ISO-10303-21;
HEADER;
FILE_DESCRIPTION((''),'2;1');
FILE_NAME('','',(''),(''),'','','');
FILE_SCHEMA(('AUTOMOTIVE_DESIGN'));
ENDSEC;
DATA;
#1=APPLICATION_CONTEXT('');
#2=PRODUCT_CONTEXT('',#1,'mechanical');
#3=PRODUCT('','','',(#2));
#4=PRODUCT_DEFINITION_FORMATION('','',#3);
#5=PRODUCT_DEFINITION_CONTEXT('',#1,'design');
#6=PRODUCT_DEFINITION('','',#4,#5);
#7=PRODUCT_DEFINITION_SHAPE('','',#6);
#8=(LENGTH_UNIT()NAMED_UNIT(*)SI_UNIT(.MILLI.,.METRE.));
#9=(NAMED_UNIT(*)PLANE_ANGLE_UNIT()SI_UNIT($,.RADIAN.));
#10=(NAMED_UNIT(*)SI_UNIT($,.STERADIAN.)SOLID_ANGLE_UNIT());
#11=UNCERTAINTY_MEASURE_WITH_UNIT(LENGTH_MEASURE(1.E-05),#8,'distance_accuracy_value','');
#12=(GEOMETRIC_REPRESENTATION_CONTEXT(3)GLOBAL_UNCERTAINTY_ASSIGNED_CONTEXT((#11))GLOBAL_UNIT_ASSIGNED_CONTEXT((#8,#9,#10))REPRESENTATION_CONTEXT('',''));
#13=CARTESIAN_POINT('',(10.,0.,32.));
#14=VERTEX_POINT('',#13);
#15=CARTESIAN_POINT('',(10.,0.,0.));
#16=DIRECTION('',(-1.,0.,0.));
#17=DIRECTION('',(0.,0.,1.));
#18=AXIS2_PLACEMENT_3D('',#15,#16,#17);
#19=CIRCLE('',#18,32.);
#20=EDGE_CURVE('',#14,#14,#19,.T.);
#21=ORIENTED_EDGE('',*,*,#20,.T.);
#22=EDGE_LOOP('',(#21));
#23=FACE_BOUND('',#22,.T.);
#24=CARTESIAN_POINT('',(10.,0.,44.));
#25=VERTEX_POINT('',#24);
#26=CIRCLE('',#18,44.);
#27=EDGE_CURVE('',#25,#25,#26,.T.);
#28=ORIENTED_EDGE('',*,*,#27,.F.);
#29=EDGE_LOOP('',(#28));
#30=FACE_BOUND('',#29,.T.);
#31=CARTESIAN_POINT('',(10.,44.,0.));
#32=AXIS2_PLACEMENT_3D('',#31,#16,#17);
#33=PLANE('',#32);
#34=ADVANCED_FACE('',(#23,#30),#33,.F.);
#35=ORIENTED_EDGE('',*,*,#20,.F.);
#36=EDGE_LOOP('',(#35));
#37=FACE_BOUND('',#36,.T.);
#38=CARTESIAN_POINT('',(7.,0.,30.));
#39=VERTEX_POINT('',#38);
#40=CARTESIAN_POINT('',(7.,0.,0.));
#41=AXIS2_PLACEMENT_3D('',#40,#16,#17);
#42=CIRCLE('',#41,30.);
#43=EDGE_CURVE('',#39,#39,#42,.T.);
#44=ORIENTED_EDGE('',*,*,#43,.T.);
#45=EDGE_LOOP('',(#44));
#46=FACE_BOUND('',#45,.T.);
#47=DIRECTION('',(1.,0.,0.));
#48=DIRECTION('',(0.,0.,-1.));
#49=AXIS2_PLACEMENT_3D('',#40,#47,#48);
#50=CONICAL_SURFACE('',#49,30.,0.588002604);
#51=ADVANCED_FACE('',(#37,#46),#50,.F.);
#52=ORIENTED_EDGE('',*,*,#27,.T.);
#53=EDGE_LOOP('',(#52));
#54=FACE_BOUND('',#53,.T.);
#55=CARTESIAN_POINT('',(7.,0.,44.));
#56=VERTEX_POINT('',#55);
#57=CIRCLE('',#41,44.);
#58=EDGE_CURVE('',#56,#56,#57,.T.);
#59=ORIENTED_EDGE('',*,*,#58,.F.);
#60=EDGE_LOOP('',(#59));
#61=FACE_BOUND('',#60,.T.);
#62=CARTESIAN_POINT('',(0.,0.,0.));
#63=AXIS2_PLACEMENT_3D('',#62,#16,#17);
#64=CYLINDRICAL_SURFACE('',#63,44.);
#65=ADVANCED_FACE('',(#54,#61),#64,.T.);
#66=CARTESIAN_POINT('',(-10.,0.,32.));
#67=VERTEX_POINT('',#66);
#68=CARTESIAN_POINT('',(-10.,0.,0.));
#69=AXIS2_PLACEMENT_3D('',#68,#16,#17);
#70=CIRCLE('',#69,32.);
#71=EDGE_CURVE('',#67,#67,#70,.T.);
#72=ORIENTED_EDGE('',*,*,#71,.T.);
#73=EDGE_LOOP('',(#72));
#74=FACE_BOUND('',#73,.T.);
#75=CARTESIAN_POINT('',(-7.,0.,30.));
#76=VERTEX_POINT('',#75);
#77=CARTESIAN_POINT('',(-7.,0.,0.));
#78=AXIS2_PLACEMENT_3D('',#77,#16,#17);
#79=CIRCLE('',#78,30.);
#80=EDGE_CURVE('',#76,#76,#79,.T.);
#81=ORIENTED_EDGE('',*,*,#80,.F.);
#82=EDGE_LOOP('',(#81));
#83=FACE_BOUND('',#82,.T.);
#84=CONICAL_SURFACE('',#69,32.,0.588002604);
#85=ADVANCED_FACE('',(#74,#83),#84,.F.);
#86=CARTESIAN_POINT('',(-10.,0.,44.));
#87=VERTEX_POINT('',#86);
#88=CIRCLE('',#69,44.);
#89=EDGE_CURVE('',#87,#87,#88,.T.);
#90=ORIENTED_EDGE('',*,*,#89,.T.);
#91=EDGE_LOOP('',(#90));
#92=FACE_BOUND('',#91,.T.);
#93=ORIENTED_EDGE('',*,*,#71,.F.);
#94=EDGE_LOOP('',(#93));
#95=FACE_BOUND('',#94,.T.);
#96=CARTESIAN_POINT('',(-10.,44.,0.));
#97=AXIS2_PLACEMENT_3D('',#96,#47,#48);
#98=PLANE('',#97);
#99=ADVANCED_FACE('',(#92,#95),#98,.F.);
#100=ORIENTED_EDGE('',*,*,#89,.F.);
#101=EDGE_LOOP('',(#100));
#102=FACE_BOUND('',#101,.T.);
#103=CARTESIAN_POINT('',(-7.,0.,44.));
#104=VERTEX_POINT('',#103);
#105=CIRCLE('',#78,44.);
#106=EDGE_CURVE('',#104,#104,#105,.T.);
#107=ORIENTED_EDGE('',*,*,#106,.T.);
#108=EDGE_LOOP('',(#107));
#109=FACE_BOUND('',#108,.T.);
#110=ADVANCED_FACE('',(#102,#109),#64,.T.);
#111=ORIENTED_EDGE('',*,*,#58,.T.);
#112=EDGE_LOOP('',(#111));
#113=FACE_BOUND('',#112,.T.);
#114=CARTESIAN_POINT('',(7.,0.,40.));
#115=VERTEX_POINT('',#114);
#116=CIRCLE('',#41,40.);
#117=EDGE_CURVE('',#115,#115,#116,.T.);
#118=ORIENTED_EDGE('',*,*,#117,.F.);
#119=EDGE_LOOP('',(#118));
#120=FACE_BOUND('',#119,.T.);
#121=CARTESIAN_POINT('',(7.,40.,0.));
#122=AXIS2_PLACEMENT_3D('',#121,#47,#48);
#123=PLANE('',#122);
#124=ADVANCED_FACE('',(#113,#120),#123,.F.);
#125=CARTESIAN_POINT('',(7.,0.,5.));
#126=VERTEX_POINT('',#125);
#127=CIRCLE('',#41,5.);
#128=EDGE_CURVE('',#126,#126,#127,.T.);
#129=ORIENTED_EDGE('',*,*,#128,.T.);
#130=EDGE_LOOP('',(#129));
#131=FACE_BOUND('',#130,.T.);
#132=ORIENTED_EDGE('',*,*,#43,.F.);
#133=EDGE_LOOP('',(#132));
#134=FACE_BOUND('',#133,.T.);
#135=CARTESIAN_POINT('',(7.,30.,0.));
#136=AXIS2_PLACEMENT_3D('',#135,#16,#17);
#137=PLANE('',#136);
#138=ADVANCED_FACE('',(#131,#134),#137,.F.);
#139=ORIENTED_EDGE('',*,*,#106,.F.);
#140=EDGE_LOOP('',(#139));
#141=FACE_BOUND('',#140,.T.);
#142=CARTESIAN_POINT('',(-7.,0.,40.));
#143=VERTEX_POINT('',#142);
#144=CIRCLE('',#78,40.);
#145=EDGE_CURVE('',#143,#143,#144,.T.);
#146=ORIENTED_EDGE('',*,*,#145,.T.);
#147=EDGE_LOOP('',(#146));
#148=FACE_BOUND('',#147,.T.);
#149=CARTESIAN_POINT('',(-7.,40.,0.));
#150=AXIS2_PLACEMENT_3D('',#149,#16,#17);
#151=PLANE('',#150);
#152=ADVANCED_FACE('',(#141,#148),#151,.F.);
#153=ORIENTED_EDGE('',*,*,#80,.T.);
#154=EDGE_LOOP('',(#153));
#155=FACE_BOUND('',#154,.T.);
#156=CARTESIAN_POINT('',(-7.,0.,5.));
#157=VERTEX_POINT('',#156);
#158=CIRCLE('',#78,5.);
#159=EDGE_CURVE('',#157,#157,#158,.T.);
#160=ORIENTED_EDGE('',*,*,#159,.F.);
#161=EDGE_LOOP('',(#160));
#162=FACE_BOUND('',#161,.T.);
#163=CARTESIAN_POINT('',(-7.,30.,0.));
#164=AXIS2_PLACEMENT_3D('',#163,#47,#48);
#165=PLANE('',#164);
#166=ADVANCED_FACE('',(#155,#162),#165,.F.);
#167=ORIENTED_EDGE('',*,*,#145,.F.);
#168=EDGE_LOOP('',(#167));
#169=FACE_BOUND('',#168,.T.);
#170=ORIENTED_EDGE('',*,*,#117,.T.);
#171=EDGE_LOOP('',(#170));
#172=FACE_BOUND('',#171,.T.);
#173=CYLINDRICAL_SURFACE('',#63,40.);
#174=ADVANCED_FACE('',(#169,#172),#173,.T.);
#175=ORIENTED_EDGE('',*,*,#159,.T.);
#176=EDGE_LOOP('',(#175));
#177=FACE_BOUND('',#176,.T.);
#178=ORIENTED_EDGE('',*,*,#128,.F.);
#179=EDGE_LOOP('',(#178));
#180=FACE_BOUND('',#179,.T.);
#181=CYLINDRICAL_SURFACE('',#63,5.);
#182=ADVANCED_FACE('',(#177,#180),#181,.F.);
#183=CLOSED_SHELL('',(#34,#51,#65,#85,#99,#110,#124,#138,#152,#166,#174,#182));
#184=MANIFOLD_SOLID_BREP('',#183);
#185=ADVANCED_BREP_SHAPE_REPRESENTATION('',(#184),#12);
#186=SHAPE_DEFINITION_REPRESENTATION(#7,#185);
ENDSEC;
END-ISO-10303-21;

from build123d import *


with BuildPart() as part:
    # Sketch1 → Revolve1 (revolve)
    with BuildSketch(Plane.XY, mode=Mode.PRIVATE) as revolve1_sk:
        Polygon((-7, 40), (7, 40), (7, 44), (10, 44), (10, 32), (7, 30), (7, 5), (-7, 5), (-7, 30), (-10, 32), (-10, 44), (-7, 44), align=None)
    revolve(revolve1_sk.sketch.rotate(Axis((0, 0, 0), (1, 0, 0)), 90), axis=Axis((0, 0, 0), (1, 0, 0)))


solid = part.part
